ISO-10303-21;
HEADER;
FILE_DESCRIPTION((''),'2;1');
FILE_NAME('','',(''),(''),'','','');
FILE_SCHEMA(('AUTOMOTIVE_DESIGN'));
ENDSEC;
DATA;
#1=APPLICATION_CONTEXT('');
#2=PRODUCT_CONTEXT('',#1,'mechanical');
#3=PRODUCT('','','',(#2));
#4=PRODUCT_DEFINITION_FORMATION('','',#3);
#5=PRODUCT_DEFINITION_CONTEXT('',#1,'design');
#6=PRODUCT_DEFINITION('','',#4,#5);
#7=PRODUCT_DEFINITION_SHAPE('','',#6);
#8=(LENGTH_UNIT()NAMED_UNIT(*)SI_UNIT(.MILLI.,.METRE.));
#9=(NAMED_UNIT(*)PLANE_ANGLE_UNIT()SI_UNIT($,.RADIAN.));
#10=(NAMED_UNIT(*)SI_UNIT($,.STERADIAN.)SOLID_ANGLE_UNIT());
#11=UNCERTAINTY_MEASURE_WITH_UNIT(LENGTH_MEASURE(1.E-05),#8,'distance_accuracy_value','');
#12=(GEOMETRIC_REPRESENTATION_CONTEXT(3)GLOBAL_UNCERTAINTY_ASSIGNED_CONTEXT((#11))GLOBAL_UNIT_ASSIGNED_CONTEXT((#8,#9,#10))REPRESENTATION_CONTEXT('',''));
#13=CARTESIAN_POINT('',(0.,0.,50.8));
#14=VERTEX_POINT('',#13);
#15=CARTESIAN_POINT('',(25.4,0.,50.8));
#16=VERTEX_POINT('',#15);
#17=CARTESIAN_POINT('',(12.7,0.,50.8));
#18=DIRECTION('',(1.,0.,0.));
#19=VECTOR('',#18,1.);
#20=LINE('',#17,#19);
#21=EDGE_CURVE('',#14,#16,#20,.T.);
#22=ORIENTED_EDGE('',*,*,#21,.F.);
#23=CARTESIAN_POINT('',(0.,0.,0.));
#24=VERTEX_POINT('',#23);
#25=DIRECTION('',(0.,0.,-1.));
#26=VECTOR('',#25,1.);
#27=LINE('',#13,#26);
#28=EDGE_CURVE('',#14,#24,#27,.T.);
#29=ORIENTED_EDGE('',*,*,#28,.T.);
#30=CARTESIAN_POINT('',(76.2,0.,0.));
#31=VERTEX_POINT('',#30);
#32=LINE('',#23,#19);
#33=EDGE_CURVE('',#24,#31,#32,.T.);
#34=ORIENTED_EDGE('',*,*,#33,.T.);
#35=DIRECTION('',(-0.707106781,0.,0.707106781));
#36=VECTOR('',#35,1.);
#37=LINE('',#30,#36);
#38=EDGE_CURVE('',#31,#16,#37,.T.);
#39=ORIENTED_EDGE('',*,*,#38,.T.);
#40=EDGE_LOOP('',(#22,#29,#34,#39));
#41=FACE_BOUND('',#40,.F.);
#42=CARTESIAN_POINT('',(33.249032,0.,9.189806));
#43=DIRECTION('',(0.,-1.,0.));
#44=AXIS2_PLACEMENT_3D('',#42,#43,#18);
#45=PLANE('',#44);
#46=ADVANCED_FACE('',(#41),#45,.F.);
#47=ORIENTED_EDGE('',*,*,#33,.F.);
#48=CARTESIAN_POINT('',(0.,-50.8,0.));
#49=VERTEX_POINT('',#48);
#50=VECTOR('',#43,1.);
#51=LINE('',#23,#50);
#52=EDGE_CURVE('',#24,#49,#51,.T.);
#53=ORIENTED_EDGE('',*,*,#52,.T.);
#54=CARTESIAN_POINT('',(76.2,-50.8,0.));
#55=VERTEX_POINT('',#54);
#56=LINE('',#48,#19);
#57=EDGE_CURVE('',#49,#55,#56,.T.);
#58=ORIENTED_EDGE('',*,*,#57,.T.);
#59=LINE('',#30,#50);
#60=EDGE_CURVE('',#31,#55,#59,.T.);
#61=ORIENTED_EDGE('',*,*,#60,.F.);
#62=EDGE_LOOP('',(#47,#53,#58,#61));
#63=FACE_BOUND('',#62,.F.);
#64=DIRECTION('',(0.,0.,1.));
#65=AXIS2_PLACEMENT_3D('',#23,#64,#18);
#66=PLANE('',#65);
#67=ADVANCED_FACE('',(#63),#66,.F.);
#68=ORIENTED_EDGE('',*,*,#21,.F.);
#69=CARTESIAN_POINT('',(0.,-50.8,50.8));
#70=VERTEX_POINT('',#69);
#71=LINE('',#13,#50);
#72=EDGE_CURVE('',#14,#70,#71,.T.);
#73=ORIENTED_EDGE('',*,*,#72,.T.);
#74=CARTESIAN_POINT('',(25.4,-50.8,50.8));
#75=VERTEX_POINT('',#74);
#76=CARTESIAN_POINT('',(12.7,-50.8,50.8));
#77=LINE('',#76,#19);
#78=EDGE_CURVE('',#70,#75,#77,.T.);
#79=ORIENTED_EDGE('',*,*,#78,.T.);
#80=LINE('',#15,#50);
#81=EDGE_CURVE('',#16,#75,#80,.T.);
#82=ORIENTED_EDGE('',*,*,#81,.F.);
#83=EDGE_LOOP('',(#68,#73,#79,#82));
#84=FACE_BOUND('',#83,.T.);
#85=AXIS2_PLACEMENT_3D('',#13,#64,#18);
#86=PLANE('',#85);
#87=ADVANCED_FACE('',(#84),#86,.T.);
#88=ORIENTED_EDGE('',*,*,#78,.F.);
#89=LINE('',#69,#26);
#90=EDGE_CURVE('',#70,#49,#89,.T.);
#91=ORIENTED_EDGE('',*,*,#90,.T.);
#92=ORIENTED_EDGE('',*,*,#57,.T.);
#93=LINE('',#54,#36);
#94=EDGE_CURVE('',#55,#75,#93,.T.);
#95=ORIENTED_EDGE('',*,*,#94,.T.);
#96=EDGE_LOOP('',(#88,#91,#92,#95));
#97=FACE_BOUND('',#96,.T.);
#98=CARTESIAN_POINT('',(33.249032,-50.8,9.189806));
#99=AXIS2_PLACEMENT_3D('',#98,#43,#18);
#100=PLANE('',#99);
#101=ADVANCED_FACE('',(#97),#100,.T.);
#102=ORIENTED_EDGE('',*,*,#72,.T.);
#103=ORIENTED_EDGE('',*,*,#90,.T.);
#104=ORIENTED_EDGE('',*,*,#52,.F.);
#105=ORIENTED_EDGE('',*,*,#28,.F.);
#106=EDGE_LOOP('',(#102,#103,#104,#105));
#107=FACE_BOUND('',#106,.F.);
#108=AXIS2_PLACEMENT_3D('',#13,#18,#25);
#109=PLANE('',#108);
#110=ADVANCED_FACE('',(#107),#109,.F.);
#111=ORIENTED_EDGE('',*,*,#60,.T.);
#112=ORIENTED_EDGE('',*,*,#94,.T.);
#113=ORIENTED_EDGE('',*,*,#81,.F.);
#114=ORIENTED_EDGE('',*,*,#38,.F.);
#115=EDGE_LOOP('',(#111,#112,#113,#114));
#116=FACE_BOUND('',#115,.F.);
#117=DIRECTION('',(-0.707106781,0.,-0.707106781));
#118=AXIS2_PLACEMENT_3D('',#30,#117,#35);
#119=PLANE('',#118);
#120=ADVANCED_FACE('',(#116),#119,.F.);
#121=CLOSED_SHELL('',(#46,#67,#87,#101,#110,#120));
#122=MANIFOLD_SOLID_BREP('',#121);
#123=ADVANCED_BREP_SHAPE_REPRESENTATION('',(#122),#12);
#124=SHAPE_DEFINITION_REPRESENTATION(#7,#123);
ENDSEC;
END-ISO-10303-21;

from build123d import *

# Parameters (mm, degrees)
F0_W     = 25.4
F0_H     = 25.4
F1_DEPTH = 50.8


with BuildPart() as f1:
    # F0 (on Front) → F1 (new body)
    with BuildSketch(Plane.XZ):
        Polygon((0, 25.4), (0, 0), (76.2, 0), (25.4, 25.4), align=None)
        Polygon((25.4, 25.4), (76.2, 0), (25.4, 50.8), align=None)
        with Locations((12.7, 38.1)):
            Rectangle(F0_W, F0_H)
    extrude(amount=F1_DEPTH)


solid = f1.part
